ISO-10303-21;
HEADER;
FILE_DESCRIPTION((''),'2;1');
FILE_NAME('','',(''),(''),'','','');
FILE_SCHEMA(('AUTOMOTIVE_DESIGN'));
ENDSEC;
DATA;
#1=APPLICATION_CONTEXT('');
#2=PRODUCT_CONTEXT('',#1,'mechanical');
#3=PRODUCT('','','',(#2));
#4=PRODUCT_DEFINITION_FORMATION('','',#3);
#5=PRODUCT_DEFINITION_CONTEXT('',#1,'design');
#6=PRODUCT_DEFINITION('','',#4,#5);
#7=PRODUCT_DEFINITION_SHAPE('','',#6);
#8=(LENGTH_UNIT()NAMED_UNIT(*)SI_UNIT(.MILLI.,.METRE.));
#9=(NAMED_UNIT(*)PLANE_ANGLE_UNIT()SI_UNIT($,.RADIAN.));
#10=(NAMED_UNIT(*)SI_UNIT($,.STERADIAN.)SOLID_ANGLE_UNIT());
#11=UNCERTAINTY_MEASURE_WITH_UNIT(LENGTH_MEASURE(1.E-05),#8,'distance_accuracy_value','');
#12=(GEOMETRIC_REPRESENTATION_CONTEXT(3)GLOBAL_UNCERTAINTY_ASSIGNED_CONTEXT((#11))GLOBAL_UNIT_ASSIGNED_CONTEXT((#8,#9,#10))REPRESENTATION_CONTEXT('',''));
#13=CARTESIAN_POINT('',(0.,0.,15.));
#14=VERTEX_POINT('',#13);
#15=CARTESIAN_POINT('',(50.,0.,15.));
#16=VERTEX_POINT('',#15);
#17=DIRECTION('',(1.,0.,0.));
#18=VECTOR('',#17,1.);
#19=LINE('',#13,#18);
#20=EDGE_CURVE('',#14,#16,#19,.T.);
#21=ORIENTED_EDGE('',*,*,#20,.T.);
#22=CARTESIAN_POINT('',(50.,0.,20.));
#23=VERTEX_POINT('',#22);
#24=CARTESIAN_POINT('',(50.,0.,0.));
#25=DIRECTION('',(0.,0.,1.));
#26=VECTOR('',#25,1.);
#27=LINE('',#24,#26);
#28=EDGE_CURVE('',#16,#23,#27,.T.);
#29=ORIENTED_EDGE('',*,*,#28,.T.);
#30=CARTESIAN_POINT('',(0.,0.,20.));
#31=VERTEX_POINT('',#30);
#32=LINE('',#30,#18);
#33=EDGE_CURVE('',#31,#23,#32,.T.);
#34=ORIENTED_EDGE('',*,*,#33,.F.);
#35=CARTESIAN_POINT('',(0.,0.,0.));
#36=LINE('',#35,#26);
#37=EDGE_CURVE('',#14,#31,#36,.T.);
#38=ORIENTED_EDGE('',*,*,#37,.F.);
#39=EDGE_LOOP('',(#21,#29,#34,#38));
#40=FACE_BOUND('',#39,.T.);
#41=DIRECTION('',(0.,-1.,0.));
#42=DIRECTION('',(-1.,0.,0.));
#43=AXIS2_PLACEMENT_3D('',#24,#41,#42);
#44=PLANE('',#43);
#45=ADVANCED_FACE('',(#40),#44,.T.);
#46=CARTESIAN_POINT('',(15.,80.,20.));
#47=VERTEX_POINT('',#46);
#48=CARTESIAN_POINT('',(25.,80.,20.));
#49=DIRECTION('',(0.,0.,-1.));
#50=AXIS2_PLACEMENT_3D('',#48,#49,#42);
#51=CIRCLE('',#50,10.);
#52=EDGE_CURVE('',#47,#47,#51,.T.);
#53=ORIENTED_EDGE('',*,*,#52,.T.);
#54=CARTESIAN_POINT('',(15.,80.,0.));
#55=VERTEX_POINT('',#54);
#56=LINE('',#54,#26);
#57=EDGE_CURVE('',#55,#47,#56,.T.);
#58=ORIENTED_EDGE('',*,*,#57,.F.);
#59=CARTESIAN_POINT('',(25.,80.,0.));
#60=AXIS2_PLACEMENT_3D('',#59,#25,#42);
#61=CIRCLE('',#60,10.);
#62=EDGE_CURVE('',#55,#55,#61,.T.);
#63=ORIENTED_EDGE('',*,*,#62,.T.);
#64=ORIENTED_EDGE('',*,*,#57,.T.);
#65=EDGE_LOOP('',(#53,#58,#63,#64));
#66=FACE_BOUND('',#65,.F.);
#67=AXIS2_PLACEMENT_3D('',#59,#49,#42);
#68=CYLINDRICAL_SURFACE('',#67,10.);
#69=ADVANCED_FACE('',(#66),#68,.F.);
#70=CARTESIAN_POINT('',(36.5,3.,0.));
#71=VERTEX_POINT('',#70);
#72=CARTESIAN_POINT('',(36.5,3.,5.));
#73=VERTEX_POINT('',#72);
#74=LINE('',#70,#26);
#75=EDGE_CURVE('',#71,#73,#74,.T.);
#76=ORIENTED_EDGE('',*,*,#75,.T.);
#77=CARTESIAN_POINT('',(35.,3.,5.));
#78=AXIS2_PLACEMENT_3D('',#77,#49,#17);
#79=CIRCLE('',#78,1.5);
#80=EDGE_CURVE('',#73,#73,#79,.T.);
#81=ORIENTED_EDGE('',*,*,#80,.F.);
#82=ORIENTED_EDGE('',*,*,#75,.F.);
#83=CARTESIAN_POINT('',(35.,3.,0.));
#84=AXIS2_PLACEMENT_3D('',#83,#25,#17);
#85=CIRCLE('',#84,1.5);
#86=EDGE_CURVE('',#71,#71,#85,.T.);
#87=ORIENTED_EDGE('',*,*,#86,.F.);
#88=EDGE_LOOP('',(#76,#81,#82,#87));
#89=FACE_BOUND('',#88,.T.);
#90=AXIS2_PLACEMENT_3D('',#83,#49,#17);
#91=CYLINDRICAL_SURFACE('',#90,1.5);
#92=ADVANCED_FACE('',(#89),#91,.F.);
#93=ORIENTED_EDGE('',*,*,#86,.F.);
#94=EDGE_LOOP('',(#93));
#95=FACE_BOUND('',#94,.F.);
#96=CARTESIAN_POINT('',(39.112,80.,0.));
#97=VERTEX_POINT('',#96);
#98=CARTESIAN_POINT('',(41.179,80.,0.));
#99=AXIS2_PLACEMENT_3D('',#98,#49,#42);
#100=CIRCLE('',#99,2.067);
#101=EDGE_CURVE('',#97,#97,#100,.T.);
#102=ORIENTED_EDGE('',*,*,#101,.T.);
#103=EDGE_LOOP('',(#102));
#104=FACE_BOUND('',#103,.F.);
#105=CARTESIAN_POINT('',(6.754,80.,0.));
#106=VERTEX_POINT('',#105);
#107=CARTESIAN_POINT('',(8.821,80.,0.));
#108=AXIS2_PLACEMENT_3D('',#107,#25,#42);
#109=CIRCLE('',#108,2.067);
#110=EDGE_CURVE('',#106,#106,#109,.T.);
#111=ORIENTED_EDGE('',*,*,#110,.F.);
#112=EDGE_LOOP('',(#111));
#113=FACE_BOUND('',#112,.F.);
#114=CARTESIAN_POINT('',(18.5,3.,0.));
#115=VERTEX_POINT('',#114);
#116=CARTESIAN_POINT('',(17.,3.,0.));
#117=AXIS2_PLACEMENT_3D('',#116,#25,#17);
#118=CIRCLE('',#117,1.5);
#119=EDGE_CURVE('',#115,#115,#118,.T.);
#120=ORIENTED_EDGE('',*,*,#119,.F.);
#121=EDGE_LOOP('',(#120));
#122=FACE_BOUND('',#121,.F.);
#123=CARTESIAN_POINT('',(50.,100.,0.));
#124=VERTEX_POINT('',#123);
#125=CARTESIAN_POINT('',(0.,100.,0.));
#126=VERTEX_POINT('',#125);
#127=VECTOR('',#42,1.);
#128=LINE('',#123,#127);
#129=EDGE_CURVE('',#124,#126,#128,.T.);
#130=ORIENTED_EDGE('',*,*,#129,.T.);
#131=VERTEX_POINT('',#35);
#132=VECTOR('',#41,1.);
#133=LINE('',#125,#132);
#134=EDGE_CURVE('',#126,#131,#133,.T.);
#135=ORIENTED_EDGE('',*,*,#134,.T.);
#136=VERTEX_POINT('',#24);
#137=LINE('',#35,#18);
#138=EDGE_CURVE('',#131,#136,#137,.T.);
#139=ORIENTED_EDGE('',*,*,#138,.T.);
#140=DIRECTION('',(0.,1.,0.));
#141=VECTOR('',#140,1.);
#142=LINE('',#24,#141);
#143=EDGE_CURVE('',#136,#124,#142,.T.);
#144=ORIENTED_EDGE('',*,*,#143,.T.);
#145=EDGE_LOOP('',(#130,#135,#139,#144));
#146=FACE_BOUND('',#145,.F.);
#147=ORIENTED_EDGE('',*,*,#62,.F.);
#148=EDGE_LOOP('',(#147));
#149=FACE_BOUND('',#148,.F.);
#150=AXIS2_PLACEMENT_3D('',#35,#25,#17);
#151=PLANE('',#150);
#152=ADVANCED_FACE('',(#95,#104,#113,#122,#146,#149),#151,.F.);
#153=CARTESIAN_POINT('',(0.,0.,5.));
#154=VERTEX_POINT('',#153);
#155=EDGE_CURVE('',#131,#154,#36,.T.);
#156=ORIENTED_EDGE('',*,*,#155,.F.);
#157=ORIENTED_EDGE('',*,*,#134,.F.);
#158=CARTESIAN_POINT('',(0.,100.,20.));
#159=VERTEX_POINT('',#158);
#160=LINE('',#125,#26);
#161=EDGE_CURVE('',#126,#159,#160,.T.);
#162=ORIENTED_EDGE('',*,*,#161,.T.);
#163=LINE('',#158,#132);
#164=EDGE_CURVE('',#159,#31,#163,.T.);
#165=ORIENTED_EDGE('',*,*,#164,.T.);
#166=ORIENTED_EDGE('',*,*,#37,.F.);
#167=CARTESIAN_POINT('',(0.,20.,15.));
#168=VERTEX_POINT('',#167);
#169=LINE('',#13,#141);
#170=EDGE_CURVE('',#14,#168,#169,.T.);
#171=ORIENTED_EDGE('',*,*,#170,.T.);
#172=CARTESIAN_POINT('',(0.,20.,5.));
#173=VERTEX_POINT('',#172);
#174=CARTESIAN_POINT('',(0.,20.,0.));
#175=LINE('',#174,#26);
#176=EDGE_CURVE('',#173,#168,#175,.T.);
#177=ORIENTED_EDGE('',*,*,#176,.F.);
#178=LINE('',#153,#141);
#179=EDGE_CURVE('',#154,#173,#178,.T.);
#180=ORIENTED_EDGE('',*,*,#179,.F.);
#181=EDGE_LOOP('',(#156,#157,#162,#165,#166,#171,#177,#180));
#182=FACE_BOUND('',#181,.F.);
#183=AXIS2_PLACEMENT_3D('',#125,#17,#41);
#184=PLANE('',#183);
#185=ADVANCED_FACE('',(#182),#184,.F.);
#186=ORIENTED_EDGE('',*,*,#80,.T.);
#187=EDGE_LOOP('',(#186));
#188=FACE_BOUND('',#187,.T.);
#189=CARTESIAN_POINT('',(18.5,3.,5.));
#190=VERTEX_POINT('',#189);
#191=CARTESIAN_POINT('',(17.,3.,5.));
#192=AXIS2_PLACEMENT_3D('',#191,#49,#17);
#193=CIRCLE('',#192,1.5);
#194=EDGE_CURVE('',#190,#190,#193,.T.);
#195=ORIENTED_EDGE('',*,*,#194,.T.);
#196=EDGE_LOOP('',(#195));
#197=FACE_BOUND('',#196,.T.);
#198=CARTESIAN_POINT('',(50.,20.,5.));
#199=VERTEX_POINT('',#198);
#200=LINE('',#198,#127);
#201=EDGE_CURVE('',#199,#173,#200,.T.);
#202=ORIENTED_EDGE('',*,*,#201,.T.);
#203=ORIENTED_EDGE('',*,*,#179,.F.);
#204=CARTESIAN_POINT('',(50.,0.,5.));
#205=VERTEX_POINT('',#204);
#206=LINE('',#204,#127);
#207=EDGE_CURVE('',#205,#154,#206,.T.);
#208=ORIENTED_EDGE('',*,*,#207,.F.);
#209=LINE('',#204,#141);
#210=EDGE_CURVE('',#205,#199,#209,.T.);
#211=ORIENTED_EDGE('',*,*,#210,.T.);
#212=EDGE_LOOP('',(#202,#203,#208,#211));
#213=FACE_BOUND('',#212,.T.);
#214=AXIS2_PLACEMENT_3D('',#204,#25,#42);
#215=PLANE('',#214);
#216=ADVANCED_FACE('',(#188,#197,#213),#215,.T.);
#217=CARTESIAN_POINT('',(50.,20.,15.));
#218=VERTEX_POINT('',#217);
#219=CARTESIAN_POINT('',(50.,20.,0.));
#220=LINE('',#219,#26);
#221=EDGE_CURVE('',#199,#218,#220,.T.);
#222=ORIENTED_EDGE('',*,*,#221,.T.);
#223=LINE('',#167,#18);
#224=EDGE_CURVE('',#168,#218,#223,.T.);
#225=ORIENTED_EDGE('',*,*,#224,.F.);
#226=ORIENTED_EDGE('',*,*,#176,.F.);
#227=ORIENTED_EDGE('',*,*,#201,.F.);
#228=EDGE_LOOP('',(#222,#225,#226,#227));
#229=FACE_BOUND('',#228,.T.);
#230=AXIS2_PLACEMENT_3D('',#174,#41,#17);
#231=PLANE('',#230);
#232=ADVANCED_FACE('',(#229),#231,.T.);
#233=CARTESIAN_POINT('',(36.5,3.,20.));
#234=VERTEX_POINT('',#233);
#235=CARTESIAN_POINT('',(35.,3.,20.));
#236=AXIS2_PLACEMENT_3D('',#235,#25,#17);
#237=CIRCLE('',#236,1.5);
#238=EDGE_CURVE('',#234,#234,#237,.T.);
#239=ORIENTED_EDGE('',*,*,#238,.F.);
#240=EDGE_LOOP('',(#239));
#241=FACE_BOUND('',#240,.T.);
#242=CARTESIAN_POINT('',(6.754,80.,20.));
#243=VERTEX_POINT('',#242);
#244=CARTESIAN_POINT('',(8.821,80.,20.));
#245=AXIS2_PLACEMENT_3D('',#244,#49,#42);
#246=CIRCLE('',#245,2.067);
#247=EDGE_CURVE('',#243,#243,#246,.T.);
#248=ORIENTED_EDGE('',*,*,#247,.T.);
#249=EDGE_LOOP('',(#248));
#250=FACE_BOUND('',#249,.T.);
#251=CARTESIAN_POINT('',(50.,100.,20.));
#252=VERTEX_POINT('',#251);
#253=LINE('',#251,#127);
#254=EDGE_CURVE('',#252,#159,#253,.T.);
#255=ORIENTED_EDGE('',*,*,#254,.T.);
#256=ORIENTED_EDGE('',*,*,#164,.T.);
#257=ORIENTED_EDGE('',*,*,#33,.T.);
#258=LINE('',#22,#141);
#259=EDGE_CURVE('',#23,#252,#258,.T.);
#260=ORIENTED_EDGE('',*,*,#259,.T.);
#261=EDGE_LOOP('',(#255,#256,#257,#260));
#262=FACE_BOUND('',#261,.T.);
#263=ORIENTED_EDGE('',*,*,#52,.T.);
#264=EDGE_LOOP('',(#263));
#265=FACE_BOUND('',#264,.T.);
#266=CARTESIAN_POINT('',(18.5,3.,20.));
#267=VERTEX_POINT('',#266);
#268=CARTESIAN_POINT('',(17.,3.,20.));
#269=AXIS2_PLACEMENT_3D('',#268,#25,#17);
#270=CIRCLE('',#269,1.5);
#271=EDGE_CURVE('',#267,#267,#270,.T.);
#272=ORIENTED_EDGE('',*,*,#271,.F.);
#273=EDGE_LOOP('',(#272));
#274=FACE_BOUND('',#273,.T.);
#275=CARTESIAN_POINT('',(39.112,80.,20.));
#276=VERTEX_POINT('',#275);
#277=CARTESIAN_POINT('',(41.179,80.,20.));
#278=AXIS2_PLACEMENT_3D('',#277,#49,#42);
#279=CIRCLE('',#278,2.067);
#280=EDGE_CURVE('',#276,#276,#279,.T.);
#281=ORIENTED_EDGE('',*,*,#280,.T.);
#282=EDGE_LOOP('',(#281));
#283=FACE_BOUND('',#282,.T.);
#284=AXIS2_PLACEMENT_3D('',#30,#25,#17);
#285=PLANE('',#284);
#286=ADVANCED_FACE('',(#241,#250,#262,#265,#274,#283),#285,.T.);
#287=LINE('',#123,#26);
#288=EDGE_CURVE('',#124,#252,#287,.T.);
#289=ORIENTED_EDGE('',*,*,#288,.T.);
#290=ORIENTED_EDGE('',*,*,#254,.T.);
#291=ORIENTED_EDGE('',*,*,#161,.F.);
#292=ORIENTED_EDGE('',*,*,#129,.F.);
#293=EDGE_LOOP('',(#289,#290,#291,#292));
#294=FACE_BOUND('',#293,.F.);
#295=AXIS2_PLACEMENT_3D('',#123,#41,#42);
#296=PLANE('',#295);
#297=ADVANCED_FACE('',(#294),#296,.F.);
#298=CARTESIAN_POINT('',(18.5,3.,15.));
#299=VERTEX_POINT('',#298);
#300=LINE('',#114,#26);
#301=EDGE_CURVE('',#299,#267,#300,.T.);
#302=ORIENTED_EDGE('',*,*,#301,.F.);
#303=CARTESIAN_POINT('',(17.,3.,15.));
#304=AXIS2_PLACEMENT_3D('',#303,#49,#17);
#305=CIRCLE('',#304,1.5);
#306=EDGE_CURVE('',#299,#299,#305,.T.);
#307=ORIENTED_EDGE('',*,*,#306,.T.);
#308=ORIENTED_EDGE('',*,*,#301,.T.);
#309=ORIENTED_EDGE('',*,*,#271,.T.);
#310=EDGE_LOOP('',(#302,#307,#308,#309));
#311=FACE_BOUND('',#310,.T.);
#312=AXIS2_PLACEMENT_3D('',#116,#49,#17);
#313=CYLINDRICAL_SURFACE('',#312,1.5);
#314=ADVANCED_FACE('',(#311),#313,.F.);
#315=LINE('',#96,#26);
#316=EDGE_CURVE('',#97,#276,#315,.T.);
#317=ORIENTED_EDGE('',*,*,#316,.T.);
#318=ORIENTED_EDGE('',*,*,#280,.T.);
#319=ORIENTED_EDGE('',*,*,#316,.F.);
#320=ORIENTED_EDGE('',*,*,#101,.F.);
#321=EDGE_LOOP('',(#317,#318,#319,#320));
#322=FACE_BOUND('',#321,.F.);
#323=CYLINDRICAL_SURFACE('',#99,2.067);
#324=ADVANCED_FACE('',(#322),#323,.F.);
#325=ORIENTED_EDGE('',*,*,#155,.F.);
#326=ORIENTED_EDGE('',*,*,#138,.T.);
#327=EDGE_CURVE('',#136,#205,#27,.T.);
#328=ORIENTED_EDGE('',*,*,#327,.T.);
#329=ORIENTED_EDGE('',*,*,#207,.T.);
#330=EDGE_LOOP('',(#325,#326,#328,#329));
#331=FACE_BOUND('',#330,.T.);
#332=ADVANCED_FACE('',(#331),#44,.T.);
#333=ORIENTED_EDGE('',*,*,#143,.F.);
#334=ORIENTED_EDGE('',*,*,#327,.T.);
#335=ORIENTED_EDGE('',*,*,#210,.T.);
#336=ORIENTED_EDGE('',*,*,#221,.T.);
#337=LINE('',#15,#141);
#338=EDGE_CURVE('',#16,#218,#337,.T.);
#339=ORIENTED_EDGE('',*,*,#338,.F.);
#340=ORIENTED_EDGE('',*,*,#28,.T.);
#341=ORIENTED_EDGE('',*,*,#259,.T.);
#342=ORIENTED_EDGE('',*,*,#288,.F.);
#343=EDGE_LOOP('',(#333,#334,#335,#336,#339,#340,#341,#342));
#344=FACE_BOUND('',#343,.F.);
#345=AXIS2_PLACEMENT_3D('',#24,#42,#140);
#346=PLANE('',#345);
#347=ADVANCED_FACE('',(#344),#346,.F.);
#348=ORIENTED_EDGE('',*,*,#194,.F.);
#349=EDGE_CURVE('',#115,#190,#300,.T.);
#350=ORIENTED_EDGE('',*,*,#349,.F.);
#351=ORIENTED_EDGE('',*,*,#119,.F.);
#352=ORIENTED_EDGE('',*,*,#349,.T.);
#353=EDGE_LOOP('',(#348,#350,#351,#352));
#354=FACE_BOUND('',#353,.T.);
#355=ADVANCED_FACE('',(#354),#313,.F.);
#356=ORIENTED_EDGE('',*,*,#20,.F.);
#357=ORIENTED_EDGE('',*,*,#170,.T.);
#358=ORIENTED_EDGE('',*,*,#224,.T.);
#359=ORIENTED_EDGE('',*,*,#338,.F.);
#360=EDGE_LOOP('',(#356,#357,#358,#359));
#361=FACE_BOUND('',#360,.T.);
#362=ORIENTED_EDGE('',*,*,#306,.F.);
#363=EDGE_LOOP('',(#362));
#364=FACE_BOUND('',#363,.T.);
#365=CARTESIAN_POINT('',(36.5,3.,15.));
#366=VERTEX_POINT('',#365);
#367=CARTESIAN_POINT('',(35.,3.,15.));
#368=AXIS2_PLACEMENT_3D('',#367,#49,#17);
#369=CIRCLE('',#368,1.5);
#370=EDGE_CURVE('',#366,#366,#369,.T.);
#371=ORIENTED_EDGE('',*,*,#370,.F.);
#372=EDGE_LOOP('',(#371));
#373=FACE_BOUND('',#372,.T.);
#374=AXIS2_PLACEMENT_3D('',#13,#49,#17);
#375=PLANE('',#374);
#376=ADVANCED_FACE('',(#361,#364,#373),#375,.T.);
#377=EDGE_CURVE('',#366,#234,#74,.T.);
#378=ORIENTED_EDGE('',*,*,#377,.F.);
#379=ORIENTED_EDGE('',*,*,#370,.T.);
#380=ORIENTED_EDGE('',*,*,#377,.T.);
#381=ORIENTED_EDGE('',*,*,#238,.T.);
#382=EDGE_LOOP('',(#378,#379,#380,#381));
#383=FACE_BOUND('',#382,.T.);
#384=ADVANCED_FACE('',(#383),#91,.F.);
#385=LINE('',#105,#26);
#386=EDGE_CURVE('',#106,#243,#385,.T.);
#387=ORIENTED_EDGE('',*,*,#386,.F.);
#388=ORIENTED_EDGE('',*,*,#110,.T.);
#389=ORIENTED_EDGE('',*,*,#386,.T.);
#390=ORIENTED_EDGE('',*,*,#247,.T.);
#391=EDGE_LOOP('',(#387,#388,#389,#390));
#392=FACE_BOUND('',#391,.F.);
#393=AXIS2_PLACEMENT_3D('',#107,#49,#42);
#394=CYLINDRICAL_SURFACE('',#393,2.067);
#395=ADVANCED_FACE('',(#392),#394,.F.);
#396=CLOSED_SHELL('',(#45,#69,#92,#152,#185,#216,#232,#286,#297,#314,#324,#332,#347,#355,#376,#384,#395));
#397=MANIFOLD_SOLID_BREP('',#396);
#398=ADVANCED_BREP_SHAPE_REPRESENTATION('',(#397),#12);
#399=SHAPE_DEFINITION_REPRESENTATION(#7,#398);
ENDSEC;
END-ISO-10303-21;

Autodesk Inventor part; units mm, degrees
ref_plane "YZ Plane" through (0, 0, 0) normal (1, 0, 0) x (0, 1, 0)
ref_plane "XZ Plane" through (0, 0, 0) normal (0, 1, 0) x (-1, 0, 0)
ref_plane "XY Plane" through (0, 0, 0) normal (0, 0, 1) x (1, 0, 0)
sketch "草圖1" plane through (0, 0, 0) normal (0, 0, 1) x (1, 0, 0)
  line L0 (50, 0) -> (50, 100)
  line L1 (50, 100) -> (0, 100)
  line L2 (0, 100) -> (0, 0)
  line L3 (50, 0) -> (33, 0)
  line L4 (33, 0) -> (24.5, 0)
  circle A0 centre (17, 3) radius 1.5
  circle A1 centre (35, 3) radius 1.5
  line L5 (0, 0) -> (50, 0)
  dimension "d0" = 50
  dimension "d4" = 3
  dimension "d5" = 100
  dimension "d7" = 3
  dimension "d22" = 18
  dimension "d23" = 3
  dimension "d24" = 15
extrude "擠出1" add sketch "草圖1" along normal blind 20
sketch "草圖2" plane through (0, 0, 0) normal (0, -1, 0) x (1, 0, 0)
  line L0 (0, 20) -> (50, 20) projected
  line L1 (0, 0) -> (50, 0) projected
  line L2 (0, 0) -> (0, 20) projected
  line L3 (50, 0) -> (50, 20) projected
  line L4 (50, 5) -> (0, 5)
  line L5 (0, 5) -> (0, 15)
  line L6 (0, 15) -> (50, 15)
  line L7 (50, 15) -> (50, 5)
  point P0 (15, 22.5)
  point P1 (0, 5)
  dimension "d13" = 0
  dimension "d14" = 0
  dimension "d15" = 5
  dimension "d16" = 10
extrude "擠出2" cut sketch "草圖2" against normal blind 20 contours L6 L3 L4 L2
sketch "草圖3" plane through (0, 0, 0) normal (0, 0, -1) x (-1, 0, 0)
  circle A0 centre (-25, 80) radius 10
  line L0 (-50, 100) -> (0, 100) projected
  line L1 (0, 100) -> (0, 0) projected
  circle A1 centre (-8.821, 80) radius 2.067
  circle A2 centre (-41.179, 80) radius 2.067
  line L2 (-25, 80) -> (-8.821, 80)
  line L3 (-25, 80) -> (-41.179, 80)
  dimension "d17" = 20
  dimension "d18" = 20
  dimension "d19" = 25
  dimension "d27" = 4.134
  dimension "d29" = 4.134
  dimension "d30" = 16.179
  dimension "d31" = 16.179
  dimension "d32" = 0
  dimension "d33" = 0
  dimension "d34" = 0
  dimension "d35" = 0
extrude "擠出3" cut sketch "草圖3" against normal blind 20
properties part number "汽缸"
